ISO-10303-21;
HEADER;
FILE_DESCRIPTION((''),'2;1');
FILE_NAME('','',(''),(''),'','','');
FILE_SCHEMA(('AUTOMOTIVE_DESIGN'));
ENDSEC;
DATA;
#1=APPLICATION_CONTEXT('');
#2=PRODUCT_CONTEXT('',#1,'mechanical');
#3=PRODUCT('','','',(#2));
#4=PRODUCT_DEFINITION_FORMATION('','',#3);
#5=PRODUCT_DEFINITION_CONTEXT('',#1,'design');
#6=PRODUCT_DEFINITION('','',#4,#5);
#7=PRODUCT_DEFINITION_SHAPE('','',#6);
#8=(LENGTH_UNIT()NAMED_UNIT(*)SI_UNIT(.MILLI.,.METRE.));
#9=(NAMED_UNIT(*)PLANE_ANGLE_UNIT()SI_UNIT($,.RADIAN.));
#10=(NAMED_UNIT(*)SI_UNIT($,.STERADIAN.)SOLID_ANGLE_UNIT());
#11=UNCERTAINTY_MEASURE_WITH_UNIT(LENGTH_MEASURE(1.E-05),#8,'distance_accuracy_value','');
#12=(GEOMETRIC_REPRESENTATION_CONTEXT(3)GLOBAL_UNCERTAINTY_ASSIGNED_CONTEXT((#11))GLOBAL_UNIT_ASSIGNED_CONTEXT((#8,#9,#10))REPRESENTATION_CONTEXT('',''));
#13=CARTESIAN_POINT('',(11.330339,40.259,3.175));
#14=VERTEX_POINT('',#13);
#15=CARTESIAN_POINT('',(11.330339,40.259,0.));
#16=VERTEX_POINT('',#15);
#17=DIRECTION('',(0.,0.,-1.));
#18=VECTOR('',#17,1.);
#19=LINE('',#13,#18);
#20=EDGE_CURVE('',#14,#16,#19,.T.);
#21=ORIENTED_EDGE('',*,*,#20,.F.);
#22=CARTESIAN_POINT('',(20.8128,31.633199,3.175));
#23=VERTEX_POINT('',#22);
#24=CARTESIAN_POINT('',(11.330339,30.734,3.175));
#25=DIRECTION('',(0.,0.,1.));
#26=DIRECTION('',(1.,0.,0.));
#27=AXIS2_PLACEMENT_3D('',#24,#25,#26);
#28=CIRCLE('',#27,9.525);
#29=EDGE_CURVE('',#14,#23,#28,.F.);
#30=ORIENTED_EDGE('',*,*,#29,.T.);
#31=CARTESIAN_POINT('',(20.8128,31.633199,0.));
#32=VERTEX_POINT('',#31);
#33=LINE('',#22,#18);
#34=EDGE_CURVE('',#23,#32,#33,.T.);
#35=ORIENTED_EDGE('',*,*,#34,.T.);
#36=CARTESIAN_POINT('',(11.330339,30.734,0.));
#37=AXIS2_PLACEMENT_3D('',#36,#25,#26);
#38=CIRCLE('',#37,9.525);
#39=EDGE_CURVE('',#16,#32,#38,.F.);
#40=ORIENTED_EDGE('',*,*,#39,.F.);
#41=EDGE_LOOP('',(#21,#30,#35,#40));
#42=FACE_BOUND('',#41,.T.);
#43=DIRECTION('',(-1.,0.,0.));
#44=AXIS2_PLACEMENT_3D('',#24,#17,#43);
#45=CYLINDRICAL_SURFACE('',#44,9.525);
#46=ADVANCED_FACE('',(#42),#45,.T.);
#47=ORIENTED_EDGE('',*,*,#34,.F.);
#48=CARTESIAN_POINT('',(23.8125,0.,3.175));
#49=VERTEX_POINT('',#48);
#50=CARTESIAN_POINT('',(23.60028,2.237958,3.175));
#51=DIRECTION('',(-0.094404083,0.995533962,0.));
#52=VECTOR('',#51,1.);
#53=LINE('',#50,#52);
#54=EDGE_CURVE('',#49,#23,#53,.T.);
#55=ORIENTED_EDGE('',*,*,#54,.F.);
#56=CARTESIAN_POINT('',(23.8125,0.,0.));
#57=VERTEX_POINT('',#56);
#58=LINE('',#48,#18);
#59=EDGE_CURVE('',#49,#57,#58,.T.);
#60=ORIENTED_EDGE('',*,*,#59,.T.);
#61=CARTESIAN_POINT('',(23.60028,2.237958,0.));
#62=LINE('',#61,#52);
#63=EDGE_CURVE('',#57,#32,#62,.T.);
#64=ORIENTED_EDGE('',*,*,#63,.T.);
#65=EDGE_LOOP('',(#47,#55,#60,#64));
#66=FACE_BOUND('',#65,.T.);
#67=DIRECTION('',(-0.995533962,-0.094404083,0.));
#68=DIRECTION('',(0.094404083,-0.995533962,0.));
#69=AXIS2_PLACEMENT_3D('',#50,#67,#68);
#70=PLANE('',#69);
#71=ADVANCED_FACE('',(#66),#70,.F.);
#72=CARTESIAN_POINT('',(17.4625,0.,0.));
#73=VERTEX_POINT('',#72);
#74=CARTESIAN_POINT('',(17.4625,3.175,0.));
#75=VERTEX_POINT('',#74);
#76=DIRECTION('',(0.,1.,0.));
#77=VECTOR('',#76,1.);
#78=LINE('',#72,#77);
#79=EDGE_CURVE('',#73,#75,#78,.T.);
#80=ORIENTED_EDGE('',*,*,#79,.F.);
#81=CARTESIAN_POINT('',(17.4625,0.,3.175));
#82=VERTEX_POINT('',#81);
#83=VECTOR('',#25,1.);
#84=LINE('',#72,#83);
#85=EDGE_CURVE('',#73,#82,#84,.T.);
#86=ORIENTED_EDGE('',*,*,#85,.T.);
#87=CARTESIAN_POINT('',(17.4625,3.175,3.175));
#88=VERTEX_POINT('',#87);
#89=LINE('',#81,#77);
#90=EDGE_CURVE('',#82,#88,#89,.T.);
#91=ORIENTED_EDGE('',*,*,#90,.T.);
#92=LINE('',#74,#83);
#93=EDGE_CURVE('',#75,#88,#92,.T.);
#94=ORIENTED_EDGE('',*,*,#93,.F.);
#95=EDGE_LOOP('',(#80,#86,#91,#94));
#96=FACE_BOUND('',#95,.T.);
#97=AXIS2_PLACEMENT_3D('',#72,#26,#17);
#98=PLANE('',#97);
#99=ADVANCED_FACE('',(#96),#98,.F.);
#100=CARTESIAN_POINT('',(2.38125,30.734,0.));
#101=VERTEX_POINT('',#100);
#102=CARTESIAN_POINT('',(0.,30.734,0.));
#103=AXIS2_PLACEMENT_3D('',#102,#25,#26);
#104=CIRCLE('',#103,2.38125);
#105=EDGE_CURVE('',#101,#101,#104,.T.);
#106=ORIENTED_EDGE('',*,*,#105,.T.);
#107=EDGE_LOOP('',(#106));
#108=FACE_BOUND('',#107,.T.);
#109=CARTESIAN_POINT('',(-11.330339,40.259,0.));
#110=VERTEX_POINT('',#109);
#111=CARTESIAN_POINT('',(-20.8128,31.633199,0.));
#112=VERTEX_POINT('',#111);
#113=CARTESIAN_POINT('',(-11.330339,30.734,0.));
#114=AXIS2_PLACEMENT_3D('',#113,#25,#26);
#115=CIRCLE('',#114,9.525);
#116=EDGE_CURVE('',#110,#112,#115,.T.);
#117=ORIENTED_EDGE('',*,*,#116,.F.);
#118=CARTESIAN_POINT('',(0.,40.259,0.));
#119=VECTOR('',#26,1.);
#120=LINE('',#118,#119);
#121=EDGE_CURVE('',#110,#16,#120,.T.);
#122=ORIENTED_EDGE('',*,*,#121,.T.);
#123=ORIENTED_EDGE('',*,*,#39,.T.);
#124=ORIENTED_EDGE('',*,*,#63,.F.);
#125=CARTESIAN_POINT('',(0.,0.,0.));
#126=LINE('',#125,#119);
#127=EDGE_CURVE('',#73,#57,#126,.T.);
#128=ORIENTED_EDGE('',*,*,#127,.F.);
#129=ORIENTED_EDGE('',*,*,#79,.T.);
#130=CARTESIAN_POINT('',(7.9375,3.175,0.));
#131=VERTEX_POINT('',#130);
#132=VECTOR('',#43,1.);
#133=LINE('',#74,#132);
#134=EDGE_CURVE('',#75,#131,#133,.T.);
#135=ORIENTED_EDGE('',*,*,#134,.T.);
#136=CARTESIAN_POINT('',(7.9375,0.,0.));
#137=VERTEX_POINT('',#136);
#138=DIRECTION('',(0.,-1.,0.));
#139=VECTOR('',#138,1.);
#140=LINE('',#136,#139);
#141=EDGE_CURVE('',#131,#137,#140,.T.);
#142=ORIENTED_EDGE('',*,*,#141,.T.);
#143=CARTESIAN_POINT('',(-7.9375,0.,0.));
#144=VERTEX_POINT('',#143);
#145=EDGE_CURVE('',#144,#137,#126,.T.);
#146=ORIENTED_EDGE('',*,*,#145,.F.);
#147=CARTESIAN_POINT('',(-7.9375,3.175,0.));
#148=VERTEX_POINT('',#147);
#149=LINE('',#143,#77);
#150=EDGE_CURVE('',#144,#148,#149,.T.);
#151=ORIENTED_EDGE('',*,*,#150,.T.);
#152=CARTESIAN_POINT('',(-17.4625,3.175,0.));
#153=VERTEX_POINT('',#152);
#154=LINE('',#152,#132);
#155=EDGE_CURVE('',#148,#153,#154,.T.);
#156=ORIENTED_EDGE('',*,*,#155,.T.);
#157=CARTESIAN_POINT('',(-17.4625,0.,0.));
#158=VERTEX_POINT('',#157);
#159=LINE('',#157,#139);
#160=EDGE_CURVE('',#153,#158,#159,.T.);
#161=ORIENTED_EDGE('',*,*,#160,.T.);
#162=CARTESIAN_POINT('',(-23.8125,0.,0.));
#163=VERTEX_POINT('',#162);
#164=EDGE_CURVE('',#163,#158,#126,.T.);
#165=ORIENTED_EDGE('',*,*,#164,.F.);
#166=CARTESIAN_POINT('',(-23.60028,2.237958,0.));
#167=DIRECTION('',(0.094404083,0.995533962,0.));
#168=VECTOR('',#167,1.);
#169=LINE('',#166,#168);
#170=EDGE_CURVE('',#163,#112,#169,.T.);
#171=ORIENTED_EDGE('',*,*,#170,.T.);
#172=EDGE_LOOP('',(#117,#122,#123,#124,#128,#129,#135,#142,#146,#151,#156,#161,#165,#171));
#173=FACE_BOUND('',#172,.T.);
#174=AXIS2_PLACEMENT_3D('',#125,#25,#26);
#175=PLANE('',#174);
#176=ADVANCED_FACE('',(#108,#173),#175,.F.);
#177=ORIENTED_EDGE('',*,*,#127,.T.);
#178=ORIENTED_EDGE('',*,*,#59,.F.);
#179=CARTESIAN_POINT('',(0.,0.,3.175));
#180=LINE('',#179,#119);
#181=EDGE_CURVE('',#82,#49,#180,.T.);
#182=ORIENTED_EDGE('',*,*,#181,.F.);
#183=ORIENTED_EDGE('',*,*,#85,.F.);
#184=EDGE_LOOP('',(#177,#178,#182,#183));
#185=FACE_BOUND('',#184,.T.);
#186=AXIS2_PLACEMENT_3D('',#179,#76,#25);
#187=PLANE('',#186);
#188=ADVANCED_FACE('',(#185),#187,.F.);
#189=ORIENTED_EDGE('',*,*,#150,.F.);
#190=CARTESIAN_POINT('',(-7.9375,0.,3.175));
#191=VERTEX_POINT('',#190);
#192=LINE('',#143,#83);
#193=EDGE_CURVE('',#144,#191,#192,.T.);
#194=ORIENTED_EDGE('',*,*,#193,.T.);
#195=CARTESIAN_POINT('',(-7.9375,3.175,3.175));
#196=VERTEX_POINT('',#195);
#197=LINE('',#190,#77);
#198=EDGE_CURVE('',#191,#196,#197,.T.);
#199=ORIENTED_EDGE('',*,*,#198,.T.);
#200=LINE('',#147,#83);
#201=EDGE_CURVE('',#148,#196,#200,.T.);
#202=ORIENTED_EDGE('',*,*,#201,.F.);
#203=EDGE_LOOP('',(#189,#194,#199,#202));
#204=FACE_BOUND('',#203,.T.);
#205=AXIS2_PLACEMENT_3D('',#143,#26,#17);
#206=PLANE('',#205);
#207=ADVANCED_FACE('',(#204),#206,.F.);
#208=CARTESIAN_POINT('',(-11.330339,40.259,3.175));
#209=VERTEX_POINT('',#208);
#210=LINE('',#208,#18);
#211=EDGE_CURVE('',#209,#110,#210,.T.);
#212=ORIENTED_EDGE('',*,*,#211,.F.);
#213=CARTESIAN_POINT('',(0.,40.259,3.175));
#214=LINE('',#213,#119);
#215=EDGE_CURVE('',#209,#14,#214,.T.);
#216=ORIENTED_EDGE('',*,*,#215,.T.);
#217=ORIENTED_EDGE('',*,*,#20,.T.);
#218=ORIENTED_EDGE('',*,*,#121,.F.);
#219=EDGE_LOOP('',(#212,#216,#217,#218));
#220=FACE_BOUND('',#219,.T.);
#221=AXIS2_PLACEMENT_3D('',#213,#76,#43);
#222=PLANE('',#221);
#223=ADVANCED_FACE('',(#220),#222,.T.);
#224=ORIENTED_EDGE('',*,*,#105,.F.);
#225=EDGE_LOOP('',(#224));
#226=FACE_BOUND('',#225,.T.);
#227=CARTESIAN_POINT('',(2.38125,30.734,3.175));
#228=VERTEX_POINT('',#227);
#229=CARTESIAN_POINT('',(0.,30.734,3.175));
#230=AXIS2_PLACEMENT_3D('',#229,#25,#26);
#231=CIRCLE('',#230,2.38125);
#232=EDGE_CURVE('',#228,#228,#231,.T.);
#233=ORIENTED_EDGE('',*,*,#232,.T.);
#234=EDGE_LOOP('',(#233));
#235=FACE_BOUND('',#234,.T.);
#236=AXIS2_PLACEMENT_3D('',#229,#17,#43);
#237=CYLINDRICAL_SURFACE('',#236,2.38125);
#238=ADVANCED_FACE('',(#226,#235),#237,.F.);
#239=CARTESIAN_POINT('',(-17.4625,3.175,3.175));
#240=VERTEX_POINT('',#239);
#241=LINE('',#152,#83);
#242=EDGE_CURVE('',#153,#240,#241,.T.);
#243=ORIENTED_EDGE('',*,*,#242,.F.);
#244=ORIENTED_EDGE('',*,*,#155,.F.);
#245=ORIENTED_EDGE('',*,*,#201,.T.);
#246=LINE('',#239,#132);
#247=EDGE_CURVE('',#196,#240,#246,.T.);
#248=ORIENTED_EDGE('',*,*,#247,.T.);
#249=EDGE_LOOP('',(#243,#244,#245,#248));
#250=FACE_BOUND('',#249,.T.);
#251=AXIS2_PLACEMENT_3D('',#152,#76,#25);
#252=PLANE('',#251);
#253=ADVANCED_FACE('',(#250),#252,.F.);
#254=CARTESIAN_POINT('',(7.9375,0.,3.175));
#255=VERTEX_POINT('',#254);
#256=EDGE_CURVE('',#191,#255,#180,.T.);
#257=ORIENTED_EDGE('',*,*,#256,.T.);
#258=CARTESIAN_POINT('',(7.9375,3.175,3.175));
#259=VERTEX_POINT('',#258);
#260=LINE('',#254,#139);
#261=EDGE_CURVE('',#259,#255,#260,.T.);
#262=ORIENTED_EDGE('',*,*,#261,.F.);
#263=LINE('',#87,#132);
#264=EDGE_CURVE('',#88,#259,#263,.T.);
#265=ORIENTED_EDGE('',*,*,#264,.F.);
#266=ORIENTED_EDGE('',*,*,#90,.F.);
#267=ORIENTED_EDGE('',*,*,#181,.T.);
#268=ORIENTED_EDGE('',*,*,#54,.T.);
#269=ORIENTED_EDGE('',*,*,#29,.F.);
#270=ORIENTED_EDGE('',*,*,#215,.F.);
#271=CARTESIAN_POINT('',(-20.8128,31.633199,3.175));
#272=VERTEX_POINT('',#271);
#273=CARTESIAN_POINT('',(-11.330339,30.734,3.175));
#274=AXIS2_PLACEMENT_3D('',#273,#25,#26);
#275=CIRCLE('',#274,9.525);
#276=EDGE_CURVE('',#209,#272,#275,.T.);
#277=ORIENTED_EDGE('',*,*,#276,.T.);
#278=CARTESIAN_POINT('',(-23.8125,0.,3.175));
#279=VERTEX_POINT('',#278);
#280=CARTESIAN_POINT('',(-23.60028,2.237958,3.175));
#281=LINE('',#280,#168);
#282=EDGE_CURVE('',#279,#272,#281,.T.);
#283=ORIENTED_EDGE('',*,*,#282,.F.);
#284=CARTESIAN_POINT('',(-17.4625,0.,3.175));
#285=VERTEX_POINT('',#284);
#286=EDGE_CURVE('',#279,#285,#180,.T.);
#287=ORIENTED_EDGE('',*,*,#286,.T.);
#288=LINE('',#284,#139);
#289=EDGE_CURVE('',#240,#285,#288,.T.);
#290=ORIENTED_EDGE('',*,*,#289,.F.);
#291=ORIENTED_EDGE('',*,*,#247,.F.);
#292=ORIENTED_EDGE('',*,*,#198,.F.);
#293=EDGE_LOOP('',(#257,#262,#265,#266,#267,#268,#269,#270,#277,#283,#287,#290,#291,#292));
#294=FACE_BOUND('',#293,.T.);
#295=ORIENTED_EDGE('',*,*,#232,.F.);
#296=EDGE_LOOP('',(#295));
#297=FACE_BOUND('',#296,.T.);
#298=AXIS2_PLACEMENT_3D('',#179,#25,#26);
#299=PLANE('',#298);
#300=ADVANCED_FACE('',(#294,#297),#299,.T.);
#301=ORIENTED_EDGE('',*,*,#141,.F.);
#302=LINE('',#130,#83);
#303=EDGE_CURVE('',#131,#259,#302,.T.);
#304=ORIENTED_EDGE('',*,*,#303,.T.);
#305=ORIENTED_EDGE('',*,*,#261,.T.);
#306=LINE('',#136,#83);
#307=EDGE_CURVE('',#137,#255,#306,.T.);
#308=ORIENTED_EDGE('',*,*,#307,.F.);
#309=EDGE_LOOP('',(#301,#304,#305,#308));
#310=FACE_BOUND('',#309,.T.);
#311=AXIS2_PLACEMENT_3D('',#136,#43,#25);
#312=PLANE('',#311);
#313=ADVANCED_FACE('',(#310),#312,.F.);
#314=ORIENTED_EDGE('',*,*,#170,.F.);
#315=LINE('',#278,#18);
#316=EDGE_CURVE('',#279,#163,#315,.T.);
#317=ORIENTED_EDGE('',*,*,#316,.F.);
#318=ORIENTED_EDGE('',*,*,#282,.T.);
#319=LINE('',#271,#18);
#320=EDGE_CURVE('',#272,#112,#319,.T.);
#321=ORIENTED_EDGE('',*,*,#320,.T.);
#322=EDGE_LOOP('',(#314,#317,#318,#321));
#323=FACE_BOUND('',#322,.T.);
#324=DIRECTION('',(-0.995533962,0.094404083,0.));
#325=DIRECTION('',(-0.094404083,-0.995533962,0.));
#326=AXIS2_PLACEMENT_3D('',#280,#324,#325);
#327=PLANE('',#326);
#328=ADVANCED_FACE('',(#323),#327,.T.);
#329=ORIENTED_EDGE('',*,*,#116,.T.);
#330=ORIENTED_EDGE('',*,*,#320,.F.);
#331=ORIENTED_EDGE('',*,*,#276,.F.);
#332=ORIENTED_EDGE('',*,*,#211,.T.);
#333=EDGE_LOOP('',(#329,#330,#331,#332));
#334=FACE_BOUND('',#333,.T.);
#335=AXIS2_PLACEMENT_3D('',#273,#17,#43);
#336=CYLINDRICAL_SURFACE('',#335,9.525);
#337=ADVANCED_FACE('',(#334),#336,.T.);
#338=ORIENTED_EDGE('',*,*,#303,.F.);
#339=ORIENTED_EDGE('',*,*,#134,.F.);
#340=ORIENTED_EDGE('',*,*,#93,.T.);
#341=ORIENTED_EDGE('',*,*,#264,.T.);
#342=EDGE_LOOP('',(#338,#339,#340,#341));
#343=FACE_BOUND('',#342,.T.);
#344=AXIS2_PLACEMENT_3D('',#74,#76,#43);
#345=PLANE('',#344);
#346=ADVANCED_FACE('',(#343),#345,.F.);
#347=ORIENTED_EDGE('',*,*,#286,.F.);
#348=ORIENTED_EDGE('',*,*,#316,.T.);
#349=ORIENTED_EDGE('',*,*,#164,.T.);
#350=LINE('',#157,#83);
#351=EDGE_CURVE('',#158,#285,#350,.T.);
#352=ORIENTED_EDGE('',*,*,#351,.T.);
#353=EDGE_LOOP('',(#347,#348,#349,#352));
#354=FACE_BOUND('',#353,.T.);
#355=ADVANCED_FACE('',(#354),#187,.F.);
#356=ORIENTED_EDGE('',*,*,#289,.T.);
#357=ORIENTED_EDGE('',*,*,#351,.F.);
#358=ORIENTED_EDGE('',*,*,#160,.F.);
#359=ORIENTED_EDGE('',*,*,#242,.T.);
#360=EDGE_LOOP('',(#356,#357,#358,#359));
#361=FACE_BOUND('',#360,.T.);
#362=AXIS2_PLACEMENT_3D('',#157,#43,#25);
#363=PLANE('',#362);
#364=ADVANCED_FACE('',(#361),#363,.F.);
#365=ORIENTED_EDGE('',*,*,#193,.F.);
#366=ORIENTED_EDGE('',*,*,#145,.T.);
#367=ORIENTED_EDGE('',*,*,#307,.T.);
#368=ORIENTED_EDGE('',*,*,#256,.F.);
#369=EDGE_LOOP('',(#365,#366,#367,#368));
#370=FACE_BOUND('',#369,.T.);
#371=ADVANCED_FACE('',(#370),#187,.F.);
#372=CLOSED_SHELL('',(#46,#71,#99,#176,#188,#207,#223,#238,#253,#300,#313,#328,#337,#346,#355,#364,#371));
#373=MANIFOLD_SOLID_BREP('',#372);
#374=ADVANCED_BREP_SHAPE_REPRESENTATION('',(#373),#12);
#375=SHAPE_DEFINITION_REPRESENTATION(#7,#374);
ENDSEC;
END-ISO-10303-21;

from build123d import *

# Parameters (mm, degrees)
SKETCH1_R           = 2.38125
BOSS_EXTRUDE1_DEPTH = 3.175
SKETCH2_W           = 9.525
SKETCH2_H           = 3.175
CUT_EXTRUDE1_DEPTH  = 47.881796705


with BuildPart() as part:
    # Sketch1 → Boss-Extrude1 (new body)
    with BuildSketch(Plane.XY):
        with BuildLine():
            Line((-11.330339119, 40.259), (11.330339119, 40.259))
            ThreePointArc((11.330339119, 40.259), (17.739736735, 37.779938348), (20.812800106, 31.633198887))
            Line((20.812800106, 31.633198887), (23.8125, 0))
            Line((23.8125, 0), (-23.8125, 0))
            Line((-23.8125, 0), (-20.812800106, 31.633198887))
            ThreePointArc((-20.812800106, 31.633198887), (-17.739736735, 37.779938348), (-11.330339119, 40.259))
        make_face()
        with Locations((0, 30.734)):
            Circle(SKETCH1_R, mode=Mode.SUBTRACT)
    extrude(amount=BOSS_EXTRUDE1_DEPTH)

    # Sketch2 → Cut-Extrude1 (cut, through all)
    with BuildSketch(Plane.XY.offset(3.175)):
        with Locations((-12.7, 1.5875)):
            Rectangle(SKETCH2_W, SKETCH2_H)
        with Locations((12.7, 1.5875)):
            Rectangle(SKETCH2_W, SKETCH2_H)
    extrude(amount=-CUT_EXTRUDE1_DEPTH, mode=Mode.SUBTRACT)


solid = part.part
